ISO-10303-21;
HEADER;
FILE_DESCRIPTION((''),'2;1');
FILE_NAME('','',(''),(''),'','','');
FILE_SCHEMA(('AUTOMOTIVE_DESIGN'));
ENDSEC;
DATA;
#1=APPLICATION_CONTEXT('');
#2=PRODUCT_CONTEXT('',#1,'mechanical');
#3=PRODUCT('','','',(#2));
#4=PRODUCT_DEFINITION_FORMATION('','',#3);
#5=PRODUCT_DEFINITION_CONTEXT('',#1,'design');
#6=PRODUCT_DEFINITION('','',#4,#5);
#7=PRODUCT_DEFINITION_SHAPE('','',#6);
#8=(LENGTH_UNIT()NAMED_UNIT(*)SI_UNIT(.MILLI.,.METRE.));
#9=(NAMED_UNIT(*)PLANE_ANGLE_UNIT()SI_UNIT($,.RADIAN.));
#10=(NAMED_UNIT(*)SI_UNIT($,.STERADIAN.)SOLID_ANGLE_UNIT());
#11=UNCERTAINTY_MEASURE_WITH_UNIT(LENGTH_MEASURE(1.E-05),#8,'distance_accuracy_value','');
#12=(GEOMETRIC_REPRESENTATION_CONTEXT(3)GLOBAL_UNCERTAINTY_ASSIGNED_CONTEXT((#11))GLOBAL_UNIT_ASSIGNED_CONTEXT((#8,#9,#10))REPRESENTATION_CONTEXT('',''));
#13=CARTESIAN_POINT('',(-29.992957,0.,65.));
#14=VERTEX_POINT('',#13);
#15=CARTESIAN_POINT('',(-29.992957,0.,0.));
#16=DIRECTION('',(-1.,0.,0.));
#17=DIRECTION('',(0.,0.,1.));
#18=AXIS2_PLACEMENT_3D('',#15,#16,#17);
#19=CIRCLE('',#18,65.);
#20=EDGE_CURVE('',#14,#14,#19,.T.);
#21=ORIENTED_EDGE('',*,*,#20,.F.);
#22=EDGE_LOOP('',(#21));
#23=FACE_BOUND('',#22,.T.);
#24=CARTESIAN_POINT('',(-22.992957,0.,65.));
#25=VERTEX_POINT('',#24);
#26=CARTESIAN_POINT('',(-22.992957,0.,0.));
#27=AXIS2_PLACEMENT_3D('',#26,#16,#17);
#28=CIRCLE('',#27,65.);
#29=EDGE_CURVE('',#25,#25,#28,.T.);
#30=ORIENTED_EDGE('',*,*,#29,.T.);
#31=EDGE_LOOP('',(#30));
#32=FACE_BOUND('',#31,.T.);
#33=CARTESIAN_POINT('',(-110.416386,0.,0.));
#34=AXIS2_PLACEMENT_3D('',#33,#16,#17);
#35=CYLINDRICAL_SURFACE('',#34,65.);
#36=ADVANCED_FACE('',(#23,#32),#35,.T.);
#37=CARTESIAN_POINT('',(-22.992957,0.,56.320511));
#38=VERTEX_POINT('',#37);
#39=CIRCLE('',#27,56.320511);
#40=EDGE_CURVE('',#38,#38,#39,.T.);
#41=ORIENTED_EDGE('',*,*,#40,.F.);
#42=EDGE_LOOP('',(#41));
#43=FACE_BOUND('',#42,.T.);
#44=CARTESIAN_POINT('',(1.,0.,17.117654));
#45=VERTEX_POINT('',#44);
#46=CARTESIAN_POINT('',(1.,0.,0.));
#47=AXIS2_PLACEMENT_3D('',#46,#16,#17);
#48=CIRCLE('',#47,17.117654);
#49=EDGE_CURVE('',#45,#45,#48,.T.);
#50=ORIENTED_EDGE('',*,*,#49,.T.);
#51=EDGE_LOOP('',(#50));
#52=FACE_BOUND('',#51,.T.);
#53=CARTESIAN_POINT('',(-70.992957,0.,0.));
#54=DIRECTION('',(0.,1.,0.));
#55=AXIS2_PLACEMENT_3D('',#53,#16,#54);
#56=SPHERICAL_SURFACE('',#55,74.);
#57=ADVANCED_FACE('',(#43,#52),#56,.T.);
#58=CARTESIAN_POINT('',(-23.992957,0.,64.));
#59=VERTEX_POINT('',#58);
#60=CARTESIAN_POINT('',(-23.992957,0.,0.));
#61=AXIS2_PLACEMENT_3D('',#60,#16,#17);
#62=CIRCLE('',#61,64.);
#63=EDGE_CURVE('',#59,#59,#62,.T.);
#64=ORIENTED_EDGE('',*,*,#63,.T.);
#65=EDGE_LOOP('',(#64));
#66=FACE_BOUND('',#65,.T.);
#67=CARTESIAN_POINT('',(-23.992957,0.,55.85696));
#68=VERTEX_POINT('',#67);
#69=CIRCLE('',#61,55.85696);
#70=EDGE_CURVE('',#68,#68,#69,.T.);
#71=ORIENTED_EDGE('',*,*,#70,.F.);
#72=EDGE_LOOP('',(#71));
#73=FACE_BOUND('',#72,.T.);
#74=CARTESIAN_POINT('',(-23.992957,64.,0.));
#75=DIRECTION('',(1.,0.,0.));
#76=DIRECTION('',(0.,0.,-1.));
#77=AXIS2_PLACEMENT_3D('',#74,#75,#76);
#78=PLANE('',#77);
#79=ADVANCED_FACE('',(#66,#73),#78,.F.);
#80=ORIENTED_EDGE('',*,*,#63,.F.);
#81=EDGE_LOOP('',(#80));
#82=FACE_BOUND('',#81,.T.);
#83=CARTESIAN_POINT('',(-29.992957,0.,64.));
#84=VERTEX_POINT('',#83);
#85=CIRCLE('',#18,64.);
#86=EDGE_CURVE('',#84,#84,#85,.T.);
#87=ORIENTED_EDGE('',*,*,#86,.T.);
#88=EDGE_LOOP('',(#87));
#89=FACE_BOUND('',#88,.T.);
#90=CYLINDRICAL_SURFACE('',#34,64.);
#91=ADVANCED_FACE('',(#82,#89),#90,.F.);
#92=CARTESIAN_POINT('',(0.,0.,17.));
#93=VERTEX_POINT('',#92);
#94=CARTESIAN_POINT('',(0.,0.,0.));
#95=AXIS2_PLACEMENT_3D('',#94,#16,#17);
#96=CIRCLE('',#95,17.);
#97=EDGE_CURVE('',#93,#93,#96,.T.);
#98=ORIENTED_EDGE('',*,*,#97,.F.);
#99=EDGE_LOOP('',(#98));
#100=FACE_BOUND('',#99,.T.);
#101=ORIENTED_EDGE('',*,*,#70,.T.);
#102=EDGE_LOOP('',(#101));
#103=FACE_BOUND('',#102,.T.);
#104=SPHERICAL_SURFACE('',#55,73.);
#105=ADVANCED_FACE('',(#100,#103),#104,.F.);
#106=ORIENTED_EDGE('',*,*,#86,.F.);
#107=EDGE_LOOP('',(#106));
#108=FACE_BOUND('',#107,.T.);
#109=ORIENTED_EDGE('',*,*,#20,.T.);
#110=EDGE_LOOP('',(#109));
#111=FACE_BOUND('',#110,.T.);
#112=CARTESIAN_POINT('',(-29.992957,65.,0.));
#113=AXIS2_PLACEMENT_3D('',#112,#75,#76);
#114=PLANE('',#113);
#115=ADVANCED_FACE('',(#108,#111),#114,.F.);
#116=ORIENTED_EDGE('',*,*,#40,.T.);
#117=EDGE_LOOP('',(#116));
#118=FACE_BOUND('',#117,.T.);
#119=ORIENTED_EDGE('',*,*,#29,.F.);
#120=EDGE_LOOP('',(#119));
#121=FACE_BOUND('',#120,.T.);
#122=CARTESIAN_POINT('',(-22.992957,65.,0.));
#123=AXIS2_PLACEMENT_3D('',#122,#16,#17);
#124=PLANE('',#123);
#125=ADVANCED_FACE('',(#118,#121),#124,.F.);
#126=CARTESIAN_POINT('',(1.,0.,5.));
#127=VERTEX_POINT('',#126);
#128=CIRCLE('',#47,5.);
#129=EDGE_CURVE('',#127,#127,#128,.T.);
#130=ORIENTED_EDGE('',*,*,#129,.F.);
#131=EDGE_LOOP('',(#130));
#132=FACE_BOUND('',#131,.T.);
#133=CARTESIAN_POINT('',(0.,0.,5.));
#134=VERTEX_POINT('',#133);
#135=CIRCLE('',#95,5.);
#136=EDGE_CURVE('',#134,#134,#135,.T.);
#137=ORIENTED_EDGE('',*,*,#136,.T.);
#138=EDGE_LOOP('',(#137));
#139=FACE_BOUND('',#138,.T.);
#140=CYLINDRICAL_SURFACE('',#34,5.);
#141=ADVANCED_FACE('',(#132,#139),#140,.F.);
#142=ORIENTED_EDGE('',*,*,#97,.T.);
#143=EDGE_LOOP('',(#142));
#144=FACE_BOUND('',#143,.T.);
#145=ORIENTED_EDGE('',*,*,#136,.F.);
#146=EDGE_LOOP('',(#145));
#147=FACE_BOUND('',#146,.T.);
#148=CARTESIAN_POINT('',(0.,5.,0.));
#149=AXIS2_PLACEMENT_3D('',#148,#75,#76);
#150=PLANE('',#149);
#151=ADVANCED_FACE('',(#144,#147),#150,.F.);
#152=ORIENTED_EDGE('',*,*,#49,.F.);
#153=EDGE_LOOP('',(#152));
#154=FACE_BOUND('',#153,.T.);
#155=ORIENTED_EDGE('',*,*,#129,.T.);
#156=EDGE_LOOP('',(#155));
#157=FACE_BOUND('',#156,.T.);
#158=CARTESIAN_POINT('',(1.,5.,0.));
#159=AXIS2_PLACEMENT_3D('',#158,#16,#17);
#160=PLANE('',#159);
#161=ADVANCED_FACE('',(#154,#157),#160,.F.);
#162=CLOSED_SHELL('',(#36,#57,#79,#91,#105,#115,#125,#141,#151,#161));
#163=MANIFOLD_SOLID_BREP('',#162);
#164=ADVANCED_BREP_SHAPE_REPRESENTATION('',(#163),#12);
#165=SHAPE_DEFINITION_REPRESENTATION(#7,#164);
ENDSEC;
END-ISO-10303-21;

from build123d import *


with BuildPart() as part:
    # Sketch1 → Revolve1 (revolve)
    with BuildSketch(Plane.XY):
        with BuildLine():
            Line((-29.992957397, 64), (-23.992957397, 64))
            Line((-23.992957397, 64), (-23.992957397, 55.856960175))
            ThreePointArc((-23.992957397, 55.856960175), (-8.879751576, 38.352961589), (0, 17))
            Line((0, 17), (0, 5))
            Line((0, 5), (1, 5))
            Line((1, 5), (1, 17.117654197))
            ThreePointArc((1, 17.117654197), (-7.875658194, 38.629089315), (-22.992957397, 56.320511361))
            Line((-22.992957397, 56.320511361), (-22.992957397, 65))
            Line((-22.992957397, 65), (-29.992957397, 65))
            Line((-29.992957397, 65), (-29.992957397, 64))
        make_face()
    revolve(axis=Axis((-110.416386088, 0, 0), (1, 0, 0)))


solid = part.part
